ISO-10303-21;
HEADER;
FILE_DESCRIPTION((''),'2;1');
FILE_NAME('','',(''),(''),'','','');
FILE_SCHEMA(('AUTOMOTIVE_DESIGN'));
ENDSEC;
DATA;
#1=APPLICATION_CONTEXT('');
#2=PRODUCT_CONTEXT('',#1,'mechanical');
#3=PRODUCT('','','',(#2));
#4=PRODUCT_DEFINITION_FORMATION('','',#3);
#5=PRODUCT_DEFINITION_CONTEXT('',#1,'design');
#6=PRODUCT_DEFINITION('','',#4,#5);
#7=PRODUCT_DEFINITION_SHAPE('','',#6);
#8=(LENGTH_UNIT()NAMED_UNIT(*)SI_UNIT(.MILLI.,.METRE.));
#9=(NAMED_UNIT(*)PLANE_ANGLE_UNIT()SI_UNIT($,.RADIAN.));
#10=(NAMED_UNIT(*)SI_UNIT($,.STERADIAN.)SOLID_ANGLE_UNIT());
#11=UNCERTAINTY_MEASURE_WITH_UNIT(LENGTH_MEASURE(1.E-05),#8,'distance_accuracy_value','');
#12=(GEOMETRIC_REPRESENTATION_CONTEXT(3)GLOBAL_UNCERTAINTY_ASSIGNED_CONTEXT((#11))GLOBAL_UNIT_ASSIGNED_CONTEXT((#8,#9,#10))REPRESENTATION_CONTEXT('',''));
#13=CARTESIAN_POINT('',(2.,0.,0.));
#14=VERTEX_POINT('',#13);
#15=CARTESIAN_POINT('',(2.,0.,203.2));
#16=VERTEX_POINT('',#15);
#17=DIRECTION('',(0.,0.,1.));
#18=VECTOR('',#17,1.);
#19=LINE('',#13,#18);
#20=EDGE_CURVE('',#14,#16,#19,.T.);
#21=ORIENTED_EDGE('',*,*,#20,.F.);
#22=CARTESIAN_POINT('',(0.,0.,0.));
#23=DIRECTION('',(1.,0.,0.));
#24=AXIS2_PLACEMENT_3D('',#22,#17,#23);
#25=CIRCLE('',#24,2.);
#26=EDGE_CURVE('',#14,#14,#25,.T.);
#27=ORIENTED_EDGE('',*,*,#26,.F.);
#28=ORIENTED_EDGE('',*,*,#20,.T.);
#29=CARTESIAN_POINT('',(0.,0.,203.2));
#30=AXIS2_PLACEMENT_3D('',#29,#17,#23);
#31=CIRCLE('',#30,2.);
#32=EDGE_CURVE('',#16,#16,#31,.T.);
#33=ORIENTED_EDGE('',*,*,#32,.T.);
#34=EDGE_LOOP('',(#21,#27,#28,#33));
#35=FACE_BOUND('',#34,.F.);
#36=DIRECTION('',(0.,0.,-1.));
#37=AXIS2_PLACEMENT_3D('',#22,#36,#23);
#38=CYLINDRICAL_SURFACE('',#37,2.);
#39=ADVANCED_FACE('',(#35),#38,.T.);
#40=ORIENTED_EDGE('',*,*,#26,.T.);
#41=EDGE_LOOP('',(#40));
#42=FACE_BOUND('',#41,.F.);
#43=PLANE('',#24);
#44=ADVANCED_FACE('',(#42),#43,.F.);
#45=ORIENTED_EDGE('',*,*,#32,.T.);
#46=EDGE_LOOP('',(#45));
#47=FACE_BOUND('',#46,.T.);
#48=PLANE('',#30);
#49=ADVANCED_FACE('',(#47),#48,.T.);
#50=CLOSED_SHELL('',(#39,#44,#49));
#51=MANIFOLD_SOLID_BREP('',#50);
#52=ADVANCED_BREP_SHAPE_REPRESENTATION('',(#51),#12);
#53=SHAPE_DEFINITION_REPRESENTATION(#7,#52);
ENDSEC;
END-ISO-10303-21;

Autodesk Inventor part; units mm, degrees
ref_plane "YZ Plane" through (0, 0, 0) normal (1, 0, 0) x (0, 1, 0)
ref_plane "XZ Plane" through (0, 0, 0) normal (0, 1, 0) x (-1, 0, 0)
ref_plane "XY Plane" through (0, 0, 0) normal (0, 0, 1) x (1, 0, 0)
sketch "Sketch1" plane through (0, 0, 0) normal (0, 0, 1) x (1, 0, 0)
  circle A0 centre (0, 0) radius 2
  dimension "d0" = 4
extrude "Extrusion1" add sketch "Sketch1" along normal blind 203.2
thread "Thread1" size "M4x0.7" class "6g" standard "ISO Metric profile" length 17.78
properties part number "DriveShaft4mm" material "Stainless Steel"
